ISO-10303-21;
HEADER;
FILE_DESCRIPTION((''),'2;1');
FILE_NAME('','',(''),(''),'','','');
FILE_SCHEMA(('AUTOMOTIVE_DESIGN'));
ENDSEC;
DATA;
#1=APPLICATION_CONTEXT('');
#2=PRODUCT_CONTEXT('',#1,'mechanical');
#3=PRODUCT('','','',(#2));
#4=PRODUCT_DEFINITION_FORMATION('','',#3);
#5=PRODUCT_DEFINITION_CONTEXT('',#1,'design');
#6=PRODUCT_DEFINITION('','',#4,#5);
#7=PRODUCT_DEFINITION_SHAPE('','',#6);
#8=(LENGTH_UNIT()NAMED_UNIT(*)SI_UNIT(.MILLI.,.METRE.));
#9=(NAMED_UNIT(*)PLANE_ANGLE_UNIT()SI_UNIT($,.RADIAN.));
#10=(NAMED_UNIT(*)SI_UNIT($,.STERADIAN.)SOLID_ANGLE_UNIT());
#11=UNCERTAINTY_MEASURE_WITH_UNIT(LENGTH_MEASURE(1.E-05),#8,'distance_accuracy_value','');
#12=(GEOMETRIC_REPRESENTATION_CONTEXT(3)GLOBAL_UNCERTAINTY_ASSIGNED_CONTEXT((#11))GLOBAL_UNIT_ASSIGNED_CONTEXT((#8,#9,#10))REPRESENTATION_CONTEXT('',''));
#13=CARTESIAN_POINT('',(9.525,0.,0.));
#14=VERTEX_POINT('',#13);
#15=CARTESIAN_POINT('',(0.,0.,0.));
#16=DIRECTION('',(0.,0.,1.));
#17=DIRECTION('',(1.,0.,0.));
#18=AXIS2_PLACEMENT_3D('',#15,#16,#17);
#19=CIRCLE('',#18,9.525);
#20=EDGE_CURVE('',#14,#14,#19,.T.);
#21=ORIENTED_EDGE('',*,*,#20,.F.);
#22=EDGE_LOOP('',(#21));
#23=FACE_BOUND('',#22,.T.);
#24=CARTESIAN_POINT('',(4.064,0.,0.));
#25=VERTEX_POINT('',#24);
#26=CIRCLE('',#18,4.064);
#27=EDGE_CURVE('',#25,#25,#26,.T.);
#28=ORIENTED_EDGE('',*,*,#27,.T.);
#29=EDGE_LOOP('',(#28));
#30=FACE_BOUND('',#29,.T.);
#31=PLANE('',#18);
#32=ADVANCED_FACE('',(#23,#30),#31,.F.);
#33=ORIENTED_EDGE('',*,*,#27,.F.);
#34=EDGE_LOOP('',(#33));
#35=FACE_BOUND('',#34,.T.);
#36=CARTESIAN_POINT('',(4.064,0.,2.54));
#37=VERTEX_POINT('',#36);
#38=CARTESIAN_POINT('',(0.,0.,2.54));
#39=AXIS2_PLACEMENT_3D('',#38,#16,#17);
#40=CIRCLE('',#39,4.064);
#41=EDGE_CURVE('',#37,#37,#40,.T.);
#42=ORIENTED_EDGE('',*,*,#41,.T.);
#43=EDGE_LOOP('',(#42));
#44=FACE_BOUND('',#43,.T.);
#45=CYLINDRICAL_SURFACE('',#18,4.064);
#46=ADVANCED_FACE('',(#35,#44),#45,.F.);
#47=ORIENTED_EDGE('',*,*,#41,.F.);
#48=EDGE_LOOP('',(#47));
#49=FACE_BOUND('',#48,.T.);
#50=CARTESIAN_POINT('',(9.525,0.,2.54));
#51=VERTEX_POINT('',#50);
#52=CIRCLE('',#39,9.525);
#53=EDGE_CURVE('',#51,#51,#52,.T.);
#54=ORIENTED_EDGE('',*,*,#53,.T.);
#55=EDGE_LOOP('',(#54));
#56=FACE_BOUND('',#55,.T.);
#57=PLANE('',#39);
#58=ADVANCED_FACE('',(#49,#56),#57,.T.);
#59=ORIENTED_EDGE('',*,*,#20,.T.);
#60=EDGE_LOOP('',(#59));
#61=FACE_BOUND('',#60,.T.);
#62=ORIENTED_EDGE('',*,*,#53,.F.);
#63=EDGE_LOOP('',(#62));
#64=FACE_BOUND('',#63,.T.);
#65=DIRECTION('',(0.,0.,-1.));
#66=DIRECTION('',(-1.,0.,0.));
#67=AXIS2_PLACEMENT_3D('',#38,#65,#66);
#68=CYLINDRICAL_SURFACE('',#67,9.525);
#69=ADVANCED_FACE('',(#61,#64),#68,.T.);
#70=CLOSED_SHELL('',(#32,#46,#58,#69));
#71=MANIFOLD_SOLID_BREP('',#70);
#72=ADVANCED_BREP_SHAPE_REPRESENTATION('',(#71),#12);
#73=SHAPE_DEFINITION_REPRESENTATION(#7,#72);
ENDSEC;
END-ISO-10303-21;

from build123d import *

# Parameters (mm, degrees)
SKETCH1_R           = 9.525
BOSS_EXTRUDE1_DEPTH = 2.54
SKETCH2_R           = 4.064
CUT_EXTRUDE1_DEPTH  = 14.707766047


with BuildPart() as part:
    # Sketch1 → Boss-Extrude1 (new body)
    with BuildSketch(Plane(origin=(0, 0, 0), x_dir=(0, 1, 0), z_dir=(0, 0, 1))):
        with Locations(Location((0, 0, 0), (0, 0, 270))):
            Circle(SKETCH1_R)
    extrude(amount=BOSS_EXTRUDE1_DEPTH)

    # Sketch2 → Cut-Extrude1 (cut, through all)
    with BuildSketch(Plane.XY.offset(2.54)):
        Circle(SKETCH2_R)
    extrude(amount=-CUT_EXTRUDE1_DEPTH, mode=Mode.SUBTRACT)


solid = part.part
